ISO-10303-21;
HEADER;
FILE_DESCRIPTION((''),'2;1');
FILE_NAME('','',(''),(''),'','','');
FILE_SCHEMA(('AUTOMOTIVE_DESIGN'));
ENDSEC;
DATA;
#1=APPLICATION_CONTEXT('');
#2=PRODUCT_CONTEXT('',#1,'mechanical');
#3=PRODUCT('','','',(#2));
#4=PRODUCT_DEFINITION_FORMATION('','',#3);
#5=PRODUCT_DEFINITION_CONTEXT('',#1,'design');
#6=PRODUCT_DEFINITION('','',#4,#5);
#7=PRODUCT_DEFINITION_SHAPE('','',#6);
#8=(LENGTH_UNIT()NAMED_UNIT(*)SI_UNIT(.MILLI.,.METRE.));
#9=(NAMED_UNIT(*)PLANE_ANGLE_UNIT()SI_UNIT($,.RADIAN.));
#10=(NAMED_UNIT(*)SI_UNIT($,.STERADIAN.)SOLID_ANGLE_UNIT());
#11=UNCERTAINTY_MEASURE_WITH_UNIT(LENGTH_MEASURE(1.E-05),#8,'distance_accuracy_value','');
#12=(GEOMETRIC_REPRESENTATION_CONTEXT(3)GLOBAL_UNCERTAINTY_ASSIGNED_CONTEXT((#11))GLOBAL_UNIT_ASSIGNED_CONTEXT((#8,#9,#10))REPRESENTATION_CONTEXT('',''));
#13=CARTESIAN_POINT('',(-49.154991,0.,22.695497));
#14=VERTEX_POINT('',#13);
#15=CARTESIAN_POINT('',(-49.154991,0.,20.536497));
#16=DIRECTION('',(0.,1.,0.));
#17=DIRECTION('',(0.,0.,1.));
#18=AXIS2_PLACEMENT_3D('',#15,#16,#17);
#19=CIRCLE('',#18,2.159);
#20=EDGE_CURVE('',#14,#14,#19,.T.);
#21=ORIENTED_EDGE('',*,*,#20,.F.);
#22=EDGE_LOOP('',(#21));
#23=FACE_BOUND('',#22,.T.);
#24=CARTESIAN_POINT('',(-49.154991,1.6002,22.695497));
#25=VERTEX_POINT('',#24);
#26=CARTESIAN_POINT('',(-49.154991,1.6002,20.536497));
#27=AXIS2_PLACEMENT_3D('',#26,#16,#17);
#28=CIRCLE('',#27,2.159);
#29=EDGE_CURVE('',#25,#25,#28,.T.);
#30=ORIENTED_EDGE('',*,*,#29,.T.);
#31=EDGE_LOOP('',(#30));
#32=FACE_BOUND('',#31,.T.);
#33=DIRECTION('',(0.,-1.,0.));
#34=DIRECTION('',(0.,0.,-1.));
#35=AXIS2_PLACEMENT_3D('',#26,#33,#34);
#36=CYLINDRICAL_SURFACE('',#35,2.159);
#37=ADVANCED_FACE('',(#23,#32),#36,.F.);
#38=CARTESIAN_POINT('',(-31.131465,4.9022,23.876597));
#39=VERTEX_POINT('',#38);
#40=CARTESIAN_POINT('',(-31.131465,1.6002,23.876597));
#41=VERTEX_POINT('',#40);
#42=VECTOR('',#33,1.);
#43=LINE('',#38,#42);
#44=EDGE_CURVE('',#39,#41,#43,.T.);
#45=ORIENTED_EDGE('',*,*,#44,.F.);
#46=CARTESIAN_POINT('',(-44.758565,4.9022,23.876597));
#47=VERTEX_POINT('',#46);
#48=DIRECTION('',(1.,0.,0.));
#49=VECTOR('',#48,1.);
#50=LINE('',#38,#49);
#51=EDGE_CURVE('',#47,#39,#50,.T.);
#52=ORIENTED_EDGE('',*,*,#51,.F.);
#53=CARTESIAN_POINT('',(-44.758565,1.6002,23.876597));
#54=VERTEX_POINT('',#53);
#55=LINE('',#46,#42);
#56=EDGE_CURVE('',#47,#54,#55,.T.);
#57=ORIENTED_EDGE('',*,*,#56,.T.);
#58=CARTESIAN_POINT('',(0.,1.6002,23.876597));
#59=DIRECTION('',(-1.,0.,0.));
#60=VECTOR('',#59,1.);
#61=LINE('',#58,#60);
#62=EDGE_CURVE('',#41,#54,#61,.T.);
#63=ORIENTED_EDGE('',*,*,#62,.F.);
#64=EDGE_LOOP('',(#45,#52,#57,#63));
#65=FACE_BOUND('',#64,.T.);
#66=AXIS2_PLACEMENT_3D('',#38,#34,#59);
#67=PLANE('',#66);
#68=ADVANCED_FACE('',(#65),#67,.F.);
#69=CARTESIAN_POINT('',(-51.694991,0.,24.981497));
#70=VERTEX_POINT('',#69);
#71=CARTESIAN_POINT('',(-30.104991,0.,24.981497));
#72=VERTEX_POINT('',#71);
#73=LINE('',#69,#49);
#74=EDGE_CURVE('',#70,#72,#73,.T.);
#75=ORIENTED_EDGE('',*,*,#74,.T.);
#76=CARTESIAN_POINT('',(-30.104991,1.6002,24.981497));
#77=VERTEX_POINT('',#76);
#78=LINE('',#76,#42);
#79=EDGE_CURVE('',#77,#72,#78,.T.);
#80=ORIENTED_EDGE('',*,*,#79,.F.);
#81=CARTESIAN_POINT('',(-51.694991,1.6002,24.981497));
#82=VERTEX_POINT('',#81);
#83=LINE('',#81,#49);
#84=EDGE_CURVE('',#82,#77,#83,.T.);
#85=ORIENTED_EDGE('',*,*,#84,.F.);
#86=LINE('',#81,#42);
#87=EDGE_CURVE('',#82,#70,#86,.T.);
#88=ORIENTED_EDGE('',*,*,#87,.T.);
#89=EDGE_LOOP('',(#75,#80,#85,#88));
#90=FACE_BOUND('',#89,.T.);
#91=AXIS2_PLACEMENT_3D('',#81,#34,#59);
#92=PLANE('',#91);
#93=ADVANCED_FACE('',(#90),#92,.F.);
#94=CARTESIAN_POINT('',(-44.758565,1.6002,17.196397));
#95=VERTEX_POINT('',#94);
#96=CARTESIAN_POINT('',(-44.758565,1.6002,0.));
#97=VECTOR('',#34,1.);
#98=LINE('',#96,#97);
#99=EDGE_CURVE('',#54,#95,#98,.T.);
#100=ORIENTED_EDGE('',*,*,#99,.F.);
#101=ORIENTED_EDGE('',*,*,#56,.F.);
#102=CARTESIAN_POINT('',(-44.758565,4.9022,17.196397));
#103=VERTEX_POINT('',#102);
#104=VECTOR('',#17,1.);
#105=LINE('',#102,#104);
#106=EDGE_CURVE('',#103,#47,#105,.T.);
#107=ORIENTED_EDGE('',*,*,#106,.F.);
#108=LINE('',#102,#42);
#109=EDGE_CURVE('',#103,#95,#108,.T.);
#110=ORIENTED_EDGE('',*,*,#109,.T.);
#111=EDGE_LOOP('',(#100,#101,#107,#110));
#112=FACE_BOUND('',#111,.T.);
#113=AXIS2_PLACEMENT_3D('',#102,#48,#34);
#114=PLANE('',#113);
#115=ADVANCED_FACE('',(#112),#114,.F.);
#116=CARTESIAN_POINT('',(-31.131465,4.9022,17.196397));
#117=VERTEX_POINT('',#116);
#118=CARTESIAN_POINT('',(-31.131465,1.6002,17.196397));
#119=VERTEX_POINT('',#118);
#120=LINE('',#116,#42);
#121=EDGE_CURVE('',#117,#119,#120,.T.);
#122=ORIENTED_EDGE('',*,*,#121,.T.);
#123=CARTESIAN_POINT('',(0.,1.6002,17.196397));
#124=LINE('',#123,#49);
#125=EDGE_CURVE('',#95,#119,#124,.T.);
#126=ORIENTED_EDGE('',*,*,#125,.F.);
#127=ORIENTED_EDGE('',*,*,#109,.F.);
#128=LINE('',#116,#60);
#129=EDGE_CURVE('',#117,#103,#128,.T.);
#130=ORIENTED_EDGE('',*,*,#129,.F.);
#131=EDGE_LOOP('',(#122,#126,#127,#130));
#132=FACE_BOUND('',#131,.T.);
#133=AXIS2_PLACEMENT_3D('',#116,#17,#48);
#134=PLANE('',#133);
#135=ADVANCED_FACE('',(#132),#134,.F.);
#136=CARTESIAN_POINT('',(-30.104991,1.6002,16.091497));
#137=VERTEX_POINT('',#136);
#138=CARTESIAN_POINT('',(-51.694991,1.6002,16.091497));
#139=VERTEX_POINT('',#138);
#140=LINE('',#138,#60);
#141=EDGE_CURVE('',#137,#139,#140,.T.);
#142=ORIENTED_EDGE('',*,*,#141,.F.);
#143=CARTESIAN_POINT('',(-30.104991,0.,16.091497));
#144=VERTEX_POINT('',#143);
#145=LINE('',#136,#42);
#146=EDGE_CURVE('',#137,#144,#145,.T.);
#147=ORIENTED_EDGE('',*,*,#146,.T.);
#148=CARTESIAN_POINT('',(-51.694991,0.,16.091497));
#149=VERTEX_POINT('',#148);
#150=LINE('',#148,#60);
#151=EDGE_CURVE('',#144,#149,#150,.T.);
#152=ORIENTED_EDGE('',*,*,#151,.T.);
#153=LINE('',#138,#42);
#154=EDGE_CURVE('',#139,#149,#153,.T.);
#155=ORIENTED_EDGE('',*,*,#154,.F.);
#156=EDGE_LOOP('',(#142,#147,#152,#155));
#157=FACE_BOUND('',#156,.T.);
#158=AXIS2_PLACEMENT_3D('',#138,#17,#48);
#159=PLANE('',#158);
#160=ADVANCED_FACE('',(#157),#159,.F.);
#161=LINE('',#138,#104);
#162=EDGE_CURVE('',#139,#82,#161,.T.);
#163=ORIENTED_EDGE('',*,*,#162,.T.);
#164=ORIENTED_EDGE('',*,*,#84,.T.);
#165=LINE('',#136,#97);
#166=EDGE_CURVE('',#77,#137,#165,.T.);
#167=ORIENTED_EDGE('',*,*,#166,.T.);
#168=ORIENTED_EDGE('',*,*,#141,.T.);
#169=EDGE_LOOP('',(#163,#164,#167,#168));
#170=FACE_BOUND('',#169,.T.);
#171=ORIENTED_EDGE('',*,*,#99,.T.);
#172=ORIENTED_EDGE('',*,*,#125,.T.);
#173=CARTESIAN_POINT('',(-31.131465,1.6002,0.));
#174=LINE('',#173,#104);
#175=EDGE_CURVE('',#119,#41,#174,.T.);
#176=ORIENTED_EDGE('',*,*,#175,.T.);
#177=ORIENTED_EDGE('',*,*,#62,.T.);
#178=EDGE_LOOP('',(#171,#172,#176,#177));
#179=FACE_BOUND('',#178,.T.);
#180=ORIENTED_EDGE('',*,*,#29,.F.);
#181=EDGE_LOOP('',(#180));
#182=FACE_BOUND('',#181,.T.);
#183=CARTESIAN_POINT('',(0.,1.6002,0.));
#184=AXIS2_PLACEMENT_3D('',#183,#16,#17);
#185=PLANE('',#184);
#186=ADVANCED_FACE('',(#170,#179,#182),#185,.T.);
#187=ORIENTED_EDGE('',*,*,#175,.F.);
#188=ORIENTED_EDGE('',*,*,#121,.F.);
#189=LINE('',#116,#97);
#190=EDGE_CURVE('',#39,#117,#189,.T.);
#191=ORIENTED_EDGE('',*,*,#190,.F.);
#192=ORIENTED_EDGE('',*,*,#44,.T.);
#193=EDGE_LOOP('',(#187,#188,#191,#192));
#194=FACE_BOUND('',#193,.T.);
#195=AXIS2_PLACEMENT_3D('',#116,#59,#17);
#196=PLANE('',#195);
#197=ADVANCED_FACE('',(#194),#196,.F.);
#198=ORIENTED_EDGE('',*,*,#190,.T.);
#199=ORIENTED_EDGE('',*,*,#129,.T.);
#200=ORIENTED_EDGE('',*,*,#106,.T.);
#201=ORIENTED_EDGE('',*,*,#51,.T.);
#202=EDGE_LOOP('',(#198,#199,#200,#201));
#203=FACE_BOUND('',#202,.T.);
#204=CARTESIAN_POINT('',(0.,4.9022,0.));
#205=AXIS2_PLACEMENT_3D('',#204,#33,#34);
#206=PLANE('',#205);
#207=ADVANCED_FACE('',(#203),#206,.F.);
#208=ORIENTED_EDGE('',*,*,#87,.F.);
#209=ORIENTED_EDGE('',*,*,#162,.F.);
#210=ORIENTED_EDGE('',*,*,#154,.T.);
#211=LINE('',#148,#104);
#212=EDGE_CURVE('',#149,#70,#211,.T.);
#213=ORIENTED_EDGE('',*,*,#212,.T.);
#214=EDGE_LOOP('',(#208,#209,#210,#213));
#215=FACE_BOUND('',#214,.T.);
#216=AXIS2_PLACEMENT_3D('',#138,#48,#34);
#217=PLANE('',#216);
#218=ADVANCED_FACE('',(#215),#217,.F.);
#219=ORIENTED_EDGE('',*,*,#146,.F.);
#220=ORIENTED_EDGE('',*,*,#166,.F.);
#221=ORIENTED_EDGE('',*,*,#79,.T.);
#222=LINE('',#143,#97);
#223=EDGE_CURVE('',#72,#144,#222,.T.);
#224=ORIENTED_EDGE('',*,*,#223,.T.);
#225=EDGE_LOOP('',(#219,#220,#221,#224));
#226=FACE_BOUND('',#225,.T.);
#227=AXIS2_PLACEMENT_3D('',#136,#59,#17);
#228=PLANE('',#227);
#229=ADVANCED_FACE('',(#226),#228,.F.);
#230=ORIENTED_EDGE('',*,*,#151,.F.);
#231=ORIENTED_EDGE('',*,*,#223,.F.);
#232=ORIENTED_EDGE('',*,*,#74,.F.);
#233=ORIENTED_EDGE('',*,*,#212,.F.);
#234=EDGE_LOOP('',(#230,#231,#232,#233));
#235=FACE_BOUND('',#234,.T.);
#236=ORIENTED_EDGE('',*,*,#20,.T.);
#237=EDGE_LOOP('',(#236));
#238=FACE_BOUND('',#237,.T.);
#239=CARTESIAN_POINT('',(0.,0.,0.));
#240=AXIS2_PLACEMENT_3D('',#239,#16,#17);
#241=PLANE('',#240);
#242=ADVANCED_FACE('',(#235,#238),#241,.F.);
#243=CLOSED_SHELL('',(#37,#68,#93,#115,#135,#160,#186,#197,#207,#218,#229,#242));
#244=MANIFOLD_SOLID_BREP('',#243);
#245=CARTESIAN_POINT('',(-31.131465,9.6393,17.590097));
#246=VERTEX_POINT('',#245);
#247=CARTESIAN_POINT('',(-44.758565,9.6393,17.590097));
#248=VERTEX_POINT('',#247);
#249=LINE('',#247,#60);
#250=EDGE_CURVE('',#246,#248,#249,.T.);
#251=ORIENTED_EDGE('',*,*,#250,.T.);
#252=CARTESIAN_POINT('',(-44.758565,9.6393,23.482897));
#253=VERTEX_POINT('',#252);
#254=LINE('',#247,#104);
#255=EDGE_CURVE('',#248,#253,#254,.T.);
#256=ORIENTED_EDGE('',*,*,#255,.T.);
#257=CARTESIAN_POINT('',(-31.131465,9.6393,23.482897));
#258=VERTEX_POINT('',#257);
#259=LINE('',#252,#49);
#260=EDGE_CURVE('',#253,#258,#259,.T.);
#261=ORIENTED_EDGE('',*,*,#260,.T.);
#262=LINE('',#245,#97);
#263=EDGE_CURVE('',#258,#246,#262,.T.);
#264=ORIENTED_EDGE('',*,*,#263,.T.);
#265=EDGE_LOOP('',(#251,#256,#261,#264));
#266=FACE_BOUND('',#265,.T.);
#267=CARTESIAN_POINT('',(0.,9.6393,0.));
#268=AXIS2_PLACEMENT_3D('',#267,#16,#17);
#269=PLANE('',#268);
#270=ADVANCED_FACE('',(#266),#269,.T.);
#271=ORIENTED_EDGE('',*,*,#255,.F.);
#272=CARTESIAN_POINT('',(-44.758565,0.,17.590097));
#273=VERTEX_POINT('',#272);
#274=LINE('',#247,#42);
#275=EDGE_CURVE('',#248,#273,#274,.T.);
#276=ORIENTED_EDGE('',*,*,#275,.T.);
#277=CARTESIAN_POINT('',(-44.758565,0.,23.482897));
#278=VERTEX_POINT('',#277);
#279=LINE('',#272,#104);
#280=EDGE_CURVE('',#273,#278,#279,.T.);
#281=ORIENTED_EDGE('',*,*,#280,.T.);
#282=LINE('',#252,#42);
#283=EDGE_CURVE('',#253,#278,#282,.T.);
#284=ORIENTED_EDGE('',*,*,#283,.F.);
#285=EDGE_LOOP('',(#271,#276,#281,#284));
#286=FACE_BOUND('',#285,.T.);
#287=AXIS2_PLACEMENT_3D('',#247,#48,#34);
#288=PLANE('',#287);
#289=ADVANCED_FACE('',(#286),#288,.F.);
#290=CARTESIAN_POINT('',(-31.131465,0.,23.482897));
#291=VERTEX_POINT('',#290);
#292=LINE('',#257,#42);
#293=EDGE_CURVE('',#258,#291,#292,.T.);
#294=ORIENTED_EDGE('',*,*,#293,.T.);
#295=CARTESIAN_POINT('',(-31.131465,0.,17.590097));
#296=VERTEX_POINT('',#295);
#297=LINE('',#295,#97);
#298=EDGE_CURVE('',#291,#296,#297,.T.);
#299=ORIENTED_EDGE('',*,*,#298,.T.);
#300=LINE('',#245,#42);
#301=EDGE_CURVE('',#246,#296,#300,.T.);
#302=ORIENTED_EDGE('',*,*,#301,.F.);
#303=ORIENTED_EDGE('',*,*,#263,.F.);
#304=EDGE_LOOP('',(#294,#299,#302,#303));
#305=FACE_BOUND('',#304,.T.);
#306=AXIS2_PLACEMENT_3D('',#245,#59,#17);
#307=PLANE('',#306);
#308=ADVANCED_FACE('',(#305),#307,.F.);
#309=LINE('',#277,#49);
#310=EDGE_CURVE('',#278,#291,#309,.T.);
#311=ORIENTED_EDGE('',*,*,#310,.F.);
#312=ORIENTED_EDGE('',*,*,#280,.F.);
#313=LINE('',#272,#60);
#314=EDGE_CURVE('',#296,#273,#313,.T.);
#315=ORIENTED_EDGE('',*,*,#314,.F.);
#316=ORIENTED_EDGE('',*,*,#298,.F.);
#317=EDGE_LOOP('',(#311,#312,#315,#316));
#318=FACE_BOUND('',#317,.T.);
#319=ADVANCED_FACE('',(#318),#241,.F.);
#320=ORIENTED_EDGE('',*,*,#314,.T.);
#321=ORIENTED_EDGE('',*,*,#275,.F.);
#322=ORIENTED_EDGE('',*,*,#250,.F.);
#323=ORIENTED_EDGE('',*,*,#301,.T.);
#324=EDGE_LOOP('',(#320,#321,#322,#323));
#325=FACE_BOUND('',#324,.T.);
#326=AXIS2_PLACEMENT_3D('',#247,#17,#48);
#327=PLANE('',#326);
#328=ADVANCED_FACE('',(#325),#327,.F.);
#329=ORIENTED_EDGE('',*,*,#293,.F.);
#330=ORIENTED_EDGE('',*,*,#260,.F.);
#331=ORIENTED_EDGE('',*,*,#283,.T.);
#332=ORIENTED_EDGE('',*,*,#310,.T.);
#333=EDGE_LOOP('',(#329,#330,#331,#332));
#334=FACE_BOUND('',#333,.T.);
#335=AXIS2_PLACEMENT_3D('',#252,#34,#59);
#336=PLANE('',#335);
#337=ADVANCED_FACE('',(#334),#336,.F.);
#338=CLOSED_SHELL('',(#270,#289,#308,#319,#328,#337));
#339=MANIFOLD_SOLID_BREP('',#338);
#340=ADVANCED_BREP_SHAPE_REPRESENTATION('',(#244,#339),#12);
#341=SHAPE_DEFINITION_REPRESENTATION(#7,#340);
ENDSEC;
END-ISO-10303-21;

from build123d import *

# Parameters (mm, degrees)
SKETCH1_W           = 21.59
SKETCH1_H           = 8.89
SKETCH1_R           = 2.159
BOSS_EXTRUDE1_DEPTH = 1.6002
SKETCH2_W           = 13.6271
SKETCH2_H           = 6.6802
BOSS_EXTRUDE2_DEPTH = 4.9022
SKETCH3_W           = 13.6271
SKETCH3_H           = 5.8928
BOSS_EXTRUDE3_DEPTH = 9.6393


with BuildPart() as part:
    # Sketch1 → Boss-Extrude1 (new body)
    with BuildSketch(Plane(origin=(0, 0, 0), x_dir=(1, 0, 0), z_dir=(0, 1, 0))):
        with Locations((-40.899991391, -20.536497471)):
            Rectangle(SKETCH1_W, SKETCH1_H)
        with Locations(Location((-49.154991391, -20.536497471, 0), (0, 0, 270))):
            Circle(SKETCH1_R, mode=Mode.SUBTRACT)
    extrude(amount=BOSS_EXTRUDE1_DEPTH)

    # Sketch2 → Boss-Extrude2 (add)
    with BuildSketch(Plane(origin=(0, 0, 0), x_dir=(1, 0, 0), z_dir=(0, 1, 0))):
        with Locations((-37.945014507, -20.536497471)):
            Rectangle(SKETCH2_W, SKETCH2_H)
    extrude(amount=BOSS_EXTRUDE2_DEPTH)


with BuildPart() as body_2:
    # Sketch3 → Boss-Extrude3 (new body)
    with BuildSketch(Plane(origin=(0, 0, 0), x_dir=(1, 0, 0), z_dir=(0, 1, 0))):
        with Locations((-37.945014507, -20.536497471)):
            Rectangle(SKETCH3_W, SKETCH3_H)
    extrude(amount=BOSS_EXTRUDE3_DEPTH)


solid = Compound([part.part, body_2.part])
